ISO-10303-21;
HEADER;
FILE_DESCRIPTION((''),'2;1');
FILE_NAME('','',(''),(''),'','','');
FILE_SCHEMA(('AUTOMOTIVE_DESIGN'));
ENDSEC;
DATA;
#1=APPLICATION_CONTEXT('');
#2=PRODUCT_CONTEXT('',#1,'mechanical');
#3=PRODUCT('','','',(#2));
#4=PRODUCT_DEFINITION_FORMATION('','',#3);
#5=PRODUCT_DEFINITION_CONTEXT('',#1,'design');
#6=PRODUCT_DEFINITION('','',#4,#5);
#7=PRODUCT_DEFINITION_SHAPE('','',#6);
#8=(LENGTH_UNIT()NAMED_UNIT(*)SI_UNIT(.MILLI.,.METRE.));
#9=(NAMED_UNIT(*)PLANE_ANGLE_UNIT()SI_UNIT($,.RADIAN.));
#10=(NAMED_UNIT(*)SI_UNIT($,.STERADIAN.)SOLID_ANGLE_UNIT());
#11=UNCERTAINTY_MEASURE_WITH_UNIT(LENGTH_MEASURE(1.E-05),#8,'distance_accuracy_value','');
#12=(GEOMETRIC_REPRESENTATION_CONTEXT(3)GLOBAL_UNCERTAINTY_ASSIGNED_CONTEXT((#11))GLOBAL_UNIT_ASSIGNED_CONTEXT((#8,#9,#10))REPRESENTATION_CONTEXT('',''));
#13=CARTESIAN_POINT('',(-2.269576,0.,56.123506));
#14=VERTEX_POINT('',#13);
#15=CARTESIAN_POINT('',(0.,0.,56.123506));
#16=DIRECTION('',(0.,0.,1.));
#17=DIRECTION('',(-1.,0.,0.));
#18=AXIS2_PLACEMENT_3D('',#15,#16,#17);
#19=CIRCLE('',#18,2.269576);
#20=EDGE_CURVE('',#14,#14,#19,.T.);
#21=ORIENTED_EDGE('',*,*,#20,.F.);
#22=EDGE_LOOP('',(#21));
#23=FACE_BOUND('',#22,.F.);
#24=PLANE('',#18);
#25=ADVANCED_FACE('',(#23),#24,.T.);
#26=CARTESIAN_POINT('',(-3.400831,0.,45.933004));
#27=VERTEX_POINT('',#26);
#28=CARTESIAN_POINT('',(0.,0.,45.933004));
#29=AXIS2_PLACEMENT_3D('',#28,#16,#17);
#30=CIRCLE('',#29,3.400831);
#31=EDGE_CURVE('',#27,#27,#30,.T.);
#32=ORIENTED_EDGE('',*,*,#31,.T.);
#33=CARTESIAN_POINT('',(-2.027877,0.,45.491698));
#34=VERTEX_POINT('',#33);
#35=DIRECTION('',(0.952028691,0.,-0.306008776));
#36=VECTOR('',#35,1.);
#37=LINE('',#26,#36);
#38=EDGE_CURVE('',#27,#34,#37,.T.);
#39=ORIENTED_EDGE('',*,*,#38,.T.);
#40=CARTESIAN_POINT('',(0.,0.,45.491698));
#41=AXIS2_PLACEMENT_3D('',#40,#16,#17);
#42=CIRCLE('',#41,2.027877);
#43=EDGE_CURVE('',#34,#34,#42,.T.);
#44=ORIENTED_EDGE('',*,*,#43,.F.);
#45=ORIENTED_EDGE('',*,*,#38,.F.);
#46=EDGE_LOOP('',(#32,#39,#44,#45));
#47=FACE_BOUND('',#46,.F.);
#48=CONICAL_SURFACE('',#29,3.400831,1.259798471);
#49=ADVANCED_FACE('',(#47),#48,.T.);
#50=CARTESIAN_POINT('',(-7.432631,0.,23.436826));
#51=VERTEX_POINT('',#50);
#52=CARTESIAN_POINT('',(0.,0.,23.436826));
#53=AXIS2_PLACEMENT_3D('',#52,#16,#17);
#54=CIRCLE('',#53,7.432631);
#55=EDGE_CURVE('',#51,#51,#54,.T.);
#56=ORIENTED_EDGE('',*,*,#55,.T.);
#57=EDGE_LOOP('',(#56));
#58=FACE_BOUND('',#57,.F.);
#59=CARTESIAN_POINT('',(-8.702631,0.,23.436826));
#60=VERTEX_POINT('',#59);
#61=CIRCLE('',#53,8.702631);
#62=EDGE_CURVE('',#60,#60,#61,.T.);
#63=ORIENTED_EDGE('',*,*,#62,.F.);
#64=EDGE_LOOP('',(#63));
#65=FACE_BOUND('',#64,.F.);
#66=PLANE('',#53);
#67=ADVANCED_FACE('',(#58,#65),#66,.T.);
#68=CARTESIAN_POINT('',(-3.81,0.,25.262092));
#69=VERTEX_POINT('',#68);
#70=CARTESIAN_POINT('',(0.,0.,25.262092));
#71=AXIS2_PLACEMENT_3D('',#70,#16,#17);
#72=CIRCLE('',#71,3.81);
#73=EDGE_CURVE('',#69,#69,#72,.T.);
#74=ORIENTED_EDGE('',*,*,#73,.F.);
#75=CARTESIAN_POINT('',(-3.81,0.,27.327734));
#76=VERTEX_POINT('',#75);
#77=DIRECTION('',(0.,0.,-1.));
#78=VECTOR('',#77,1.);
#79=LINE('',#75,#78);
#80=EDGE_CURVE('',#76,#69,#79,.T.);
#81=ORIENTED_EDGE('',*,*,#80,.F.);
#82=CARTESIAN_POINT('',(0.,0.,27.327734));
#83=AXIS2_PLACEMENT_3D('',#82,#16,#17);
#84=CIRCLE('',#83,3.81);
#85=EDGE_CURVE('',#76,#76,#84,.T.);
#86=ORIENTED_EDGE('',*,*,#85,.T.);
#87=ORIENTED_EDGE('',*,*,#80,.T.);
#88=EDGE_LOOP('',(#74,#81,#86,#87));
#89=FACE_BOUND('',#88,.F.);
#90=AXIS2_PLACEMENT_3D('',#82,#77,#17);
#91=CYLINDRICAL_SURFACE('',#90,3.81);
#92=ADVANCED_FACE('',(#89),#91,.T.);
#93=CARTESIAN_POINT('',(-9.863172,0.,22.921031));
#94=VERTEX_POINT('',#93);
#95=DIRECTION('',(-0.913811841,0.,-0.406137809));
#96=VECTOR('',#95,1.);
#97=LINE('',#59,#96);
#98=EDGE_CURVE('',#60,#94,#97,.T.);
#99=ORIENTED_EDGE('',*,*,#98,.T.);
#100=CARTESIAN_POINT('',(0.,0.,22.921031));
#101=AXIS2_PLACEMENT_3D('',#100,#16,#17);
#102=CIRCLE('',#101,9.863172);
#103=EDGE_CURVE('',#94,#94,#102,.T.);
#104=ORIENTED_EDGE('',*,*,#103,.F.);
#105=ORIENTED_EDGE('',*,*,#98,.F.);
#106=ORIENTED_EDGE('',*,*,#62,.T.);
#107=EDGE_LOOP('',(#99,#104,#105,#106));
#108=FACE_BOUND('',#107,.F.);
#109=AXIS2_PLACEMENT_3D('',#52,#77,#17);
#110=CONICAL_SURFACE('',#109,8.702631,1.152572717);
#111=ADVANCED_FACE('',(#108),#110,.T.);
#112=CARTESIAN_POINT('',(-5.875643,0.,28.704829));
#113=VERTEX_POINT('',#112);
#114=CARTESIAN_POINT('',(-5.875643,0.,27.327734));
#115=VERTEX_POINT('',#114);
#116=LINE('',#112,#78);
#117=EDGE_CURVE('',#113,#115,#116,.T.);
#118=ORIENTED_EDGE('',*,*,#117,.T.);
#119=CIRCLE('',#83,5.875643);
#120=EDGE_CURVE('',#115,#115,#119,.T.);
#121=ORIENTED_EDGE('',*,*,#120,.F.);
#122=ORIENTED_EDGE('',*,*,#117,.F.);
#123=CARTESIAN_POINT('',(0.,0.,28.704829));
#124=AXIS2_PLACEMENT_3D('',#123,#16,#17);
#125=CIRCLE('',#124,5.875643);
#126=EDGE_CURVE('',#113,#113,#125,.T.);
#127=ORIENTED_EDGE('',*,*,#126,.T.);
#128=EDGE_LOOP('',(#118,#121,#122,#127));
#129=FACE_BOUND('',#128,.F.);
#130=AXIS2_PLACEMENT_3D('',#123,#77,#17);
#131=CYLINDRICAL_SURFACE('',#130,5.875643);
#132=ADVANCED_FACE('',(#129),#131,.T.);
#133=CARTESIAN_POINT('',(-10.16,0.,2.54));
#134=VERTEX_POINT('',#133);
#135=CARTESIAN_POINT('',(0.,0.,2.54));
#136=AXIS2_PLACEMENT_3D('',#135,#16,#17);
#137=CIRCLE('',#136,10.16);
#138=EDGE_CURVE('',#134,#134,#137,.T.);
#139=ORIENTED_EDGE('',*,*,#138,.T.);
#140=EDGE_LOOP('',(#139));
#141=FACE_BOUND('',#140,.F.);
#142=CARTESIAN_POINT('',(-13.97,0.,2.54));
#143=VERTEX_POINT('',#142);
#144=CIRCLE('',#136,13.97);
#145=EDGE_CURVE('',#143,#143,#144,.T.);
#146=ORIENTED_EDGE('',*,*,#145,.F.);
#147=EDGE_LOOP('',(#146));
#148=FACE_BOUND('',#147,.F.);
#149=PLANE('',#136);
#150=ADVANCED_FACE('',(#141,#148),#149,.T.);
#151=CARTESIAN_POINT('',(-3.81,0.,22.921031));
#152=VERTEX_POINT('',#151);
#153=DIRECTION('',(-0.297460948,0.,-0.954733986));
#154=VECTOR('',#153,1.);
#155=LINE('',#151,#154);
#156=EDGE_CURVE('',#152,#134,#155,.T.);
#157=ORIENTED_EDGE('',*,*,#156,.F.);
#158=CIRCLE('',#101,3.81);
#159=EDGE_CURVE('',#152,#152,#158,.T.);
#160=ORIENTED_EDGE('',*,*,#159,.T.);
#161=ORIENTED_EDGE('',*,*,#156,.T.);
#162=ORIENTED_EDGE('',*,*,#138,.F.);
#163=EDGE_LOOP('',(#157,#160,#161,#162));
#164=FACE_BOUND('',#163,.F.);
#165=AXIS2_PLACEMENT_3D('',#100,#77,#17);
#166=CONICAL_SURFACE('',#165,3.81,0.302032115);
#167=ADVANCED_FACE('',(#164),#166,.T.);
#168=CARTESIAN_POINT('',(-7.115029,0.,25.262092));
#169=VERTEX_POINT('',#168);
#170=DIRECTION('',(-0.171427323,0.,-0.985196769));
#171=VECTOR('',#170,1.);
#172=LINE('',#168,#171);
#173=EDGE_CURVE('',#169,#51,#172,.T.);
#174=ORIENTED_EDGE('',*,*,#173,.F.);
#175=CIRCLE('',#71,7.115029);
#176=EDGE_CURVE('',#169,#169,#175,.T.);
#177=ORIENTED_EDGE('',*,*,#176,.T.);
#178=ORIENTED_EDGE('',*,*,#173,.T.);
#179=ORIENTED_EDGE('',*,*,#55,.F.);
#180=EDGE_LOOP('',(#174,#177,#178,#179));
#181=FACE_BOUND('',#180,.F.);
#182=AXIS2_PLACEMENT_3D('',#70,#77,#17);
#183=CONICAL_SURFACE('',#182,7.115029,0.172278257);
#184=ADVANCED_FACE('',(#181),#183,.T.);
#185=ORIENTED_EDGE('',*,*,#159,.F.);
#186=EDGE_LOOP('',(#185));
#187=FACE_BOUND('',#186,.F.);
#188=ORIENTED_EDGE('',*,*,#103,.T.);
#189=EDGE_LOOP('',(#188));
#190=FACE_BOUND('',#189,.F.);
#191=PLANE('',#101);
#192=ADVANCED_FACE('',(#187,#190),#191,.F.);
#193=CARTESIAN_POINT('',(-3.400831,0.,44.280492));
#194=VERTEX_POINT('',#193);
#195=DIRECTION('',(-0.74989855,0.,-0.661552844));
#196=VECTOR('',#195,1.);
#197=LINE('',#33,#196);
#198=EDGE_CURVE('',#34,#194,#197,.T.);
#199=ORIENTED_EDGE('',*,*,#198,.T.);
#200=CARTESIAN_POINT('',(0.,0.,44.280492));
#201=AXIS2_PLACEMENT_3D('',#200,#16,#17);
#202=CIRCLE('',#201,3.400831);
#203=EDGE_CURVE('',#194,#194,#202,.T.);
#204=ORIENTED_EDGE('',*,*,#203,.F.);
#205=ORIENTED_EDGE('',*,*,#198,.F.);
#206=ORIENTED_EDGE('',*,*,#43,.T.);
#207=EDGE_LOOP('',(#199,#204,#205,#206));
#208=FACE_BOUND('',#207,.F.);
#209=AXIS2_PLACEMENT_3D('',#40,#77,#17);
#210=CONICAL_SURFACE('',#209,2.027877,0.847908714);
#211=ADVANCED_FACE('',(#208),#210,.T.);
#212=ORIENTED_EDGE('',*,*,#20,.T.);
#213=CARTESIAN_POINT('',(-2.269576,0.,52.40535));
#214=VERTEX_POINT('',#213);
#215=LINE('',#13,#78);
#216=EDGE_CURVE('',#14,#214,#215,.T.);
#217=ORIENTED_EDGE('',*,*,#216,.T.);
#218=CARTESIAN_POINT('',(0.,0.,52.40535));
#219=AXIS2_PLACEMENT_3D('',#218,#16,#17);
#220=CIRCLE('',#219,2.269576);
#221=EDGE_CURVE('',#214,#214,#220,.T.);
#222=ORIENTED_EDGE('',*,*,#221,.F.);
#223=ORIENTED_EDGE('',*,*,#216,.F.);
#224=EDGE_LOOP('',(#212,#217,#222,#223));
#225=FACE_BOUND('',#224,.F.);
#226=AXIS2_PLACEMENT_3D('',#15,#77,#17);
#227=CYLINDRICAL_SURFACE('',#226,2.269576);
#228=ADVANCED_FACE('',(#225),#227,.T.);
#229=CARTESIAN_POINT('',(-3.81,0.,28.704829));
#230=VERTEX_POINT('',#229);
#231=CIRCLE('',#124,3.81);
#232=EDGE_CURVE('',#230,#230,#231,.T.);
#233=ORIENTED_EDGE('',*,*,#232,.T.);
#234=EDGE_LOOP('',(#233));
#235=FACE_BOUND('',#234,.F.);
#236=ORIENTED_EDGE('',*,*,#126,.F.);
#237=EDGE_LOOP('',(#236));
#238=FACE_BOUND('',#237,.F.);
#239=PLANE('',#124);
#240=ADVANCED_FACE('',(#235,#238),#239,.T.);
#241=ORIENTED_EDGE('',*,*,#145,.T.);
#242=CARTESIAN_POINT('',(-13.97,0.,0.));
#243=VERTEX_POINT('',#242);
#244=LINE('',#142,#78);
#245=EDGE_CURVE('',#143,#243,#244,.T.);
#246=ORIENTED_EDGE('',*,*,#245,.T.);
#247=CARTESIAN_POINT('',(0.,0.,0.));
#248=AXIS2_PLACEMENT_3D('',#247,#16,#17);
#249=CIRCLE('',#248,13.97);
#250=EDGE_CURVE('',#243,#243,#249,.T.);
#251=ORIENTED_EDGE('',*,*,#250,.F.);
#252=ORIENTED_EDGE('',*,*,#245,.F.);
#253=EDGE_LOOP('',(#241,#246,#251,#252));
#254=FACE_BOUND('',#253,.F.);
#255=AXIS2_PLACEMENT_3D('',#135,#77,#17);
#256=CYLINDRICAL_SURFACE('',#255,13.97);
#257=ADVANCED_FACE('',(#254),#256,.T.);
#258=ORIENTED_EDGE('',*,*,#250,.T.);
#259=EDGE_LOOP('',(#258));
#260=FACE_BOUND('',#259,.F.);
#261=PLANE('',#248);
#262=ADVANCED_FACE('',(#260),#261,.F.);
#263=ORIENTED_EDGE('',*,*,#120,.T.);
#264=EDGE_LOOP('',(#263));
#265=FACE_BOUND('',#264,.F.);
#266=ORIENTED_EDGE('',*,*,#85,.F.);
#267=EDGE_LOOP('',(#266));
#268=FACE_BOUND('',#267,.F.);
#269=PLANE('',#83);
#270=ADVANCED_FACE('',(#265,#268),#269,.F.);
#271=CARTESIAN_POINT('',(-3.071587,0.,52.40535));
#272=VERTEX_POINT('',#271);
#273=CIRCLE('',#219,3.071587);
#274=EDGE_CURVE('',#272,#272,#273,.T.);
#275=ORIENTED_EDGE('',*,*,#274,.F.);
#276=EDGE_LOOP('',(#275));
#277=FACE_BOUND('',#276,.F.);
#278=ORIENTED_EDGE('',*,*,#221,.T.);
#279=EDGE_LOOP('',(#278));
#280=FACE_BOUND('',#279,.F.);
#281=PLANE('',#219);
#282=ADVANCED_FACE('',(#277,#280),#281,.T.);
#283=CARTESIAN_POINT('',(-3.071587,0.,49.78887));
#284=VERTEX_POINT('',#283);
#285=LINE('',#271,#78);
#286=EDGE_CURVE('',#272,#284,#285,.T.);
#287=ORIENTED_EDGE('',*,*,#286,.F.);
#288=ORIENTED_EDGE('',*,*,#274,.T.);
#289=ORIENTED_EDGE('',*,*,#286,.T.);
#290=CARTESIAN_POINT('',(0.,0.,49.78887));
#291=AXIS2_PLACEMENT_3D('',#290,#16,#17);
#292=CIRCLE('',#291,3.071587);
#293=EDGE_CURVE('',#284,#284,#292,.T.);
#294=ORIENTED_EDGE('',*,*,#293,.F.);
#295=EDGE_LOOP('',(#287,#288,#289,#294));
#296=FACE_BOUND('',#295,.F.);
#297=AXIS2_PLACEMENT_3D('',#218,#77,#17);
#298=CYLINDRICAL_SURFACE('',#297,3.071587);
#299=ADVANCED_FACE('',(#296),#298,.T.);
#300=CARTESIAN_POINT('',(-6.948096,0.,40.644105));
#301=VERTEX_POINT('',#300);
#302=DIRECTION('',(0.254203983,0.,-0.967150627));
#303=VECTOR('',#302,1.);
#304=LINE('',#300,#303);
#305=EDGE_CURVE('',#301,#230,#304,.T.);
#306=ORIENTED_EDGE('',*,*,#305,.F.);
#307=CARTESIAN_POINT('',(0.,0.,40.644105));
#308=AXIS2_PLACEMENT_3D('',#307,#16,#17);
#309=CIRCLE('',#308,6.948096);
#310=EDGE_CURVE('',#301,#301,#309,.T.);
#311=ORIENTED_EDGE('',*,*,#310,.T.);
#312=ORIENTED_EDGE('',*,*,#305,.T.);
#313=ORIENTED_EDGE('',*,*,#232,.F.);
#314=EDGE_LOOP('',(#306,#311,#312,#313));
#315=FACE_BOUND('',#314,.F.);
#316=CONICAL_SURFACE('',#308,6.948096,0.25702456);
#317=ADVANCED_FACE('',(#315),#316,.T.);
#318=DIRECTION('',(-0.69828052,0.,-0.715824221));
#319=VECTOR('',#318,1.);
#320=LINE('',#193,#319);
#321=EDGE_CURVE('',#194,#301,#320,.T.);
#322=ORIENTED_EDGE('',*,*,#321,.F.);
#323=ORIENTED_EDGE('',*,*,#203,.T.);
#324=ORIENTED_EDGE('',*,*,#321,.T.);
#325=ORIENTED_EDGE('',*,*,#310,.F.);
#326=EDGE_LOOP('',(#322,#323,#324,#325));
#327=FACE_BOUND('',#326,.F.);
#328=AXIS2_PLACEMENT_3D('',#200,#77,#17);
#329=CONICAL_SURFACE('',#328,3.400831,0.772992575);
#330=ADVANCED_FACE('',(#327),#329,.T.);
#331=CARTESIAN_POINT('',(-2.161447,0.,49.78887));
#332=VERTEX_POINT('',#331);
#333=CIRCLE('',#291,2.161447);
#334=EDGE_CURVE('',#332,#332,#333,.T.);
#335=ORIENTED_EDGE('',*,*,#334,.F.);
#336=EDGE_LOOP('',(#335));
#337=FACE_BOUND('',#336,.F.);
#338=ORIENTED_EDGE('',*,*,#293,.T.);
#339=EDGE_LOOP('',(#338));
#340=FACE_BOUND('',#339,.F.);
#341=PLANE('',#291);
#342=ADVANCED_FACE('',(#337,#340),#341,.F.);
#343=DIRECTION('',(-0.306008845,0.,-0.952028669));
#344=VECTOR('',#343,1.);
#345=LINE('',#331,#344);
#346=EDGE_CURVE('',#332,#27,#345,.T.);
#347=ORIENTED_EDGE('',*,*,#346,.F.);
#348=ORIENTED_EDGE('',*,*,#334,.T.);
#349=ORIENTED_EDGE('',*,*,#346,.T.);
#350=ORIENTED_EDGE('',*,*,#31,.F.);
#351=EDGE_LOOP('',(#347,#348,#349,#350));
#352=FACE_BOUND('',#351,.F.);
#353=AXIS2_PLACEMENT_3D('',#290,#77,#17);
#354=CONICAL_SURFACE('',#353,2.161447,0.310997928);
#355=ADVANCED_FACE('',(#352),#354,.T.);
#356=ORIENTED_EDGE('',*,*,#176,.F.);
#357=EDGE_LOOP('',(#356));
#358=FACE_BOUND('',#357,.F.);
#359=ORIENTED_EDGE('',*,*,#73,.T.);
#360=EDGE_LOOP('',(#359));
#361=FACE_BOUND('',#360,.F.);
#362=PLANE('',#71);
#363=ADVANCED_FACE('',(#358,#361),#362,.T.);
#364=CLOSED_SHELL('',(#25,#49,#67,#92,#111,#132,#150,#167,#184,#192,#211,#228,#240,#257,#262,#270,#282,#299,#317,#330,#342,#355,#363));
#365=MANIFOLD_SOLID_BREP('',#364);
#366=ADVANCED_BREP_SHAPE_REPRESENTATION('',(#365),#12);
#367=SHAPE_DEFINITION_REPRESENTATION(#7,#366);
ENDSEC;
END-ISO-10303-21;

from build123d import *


with BuildPart() as f1:
    # F0 (on Front) → F1 (revolve)
    with BuildSketch(Plane.XZ):
        Polygon((-13.97, 0), (0, 0), (0, 56.123506), (-2.269576, 56.123506), (-2.269576, 52.40535), (-3.071587, 52.40535), (-3.071587, 49.78887), (-2.161447, 49.78887), (-3.400831, 45.933004), (-2.027877, 45.491698), (-3.400831, 44.280492), (-6.948096, 40.644105), (-3.81, 28.704829), (-5.875643, 28.704829), (-5.875643, 27.327734), (-3.81, 27.327734), (-3.81, 25.262092), (-7.115029, 25.262092), (-7.432631, 23.436826), (-8.702631, 23.436826), (-9.863172, 22.921031), (-3.81, 22.921031), (-10.16, 2.54), (-13.97, 2.54), align=None)
    revolve(axis=Axis((0, 0, 28.061753), (0, 0, 1)))


solid = f1.part
